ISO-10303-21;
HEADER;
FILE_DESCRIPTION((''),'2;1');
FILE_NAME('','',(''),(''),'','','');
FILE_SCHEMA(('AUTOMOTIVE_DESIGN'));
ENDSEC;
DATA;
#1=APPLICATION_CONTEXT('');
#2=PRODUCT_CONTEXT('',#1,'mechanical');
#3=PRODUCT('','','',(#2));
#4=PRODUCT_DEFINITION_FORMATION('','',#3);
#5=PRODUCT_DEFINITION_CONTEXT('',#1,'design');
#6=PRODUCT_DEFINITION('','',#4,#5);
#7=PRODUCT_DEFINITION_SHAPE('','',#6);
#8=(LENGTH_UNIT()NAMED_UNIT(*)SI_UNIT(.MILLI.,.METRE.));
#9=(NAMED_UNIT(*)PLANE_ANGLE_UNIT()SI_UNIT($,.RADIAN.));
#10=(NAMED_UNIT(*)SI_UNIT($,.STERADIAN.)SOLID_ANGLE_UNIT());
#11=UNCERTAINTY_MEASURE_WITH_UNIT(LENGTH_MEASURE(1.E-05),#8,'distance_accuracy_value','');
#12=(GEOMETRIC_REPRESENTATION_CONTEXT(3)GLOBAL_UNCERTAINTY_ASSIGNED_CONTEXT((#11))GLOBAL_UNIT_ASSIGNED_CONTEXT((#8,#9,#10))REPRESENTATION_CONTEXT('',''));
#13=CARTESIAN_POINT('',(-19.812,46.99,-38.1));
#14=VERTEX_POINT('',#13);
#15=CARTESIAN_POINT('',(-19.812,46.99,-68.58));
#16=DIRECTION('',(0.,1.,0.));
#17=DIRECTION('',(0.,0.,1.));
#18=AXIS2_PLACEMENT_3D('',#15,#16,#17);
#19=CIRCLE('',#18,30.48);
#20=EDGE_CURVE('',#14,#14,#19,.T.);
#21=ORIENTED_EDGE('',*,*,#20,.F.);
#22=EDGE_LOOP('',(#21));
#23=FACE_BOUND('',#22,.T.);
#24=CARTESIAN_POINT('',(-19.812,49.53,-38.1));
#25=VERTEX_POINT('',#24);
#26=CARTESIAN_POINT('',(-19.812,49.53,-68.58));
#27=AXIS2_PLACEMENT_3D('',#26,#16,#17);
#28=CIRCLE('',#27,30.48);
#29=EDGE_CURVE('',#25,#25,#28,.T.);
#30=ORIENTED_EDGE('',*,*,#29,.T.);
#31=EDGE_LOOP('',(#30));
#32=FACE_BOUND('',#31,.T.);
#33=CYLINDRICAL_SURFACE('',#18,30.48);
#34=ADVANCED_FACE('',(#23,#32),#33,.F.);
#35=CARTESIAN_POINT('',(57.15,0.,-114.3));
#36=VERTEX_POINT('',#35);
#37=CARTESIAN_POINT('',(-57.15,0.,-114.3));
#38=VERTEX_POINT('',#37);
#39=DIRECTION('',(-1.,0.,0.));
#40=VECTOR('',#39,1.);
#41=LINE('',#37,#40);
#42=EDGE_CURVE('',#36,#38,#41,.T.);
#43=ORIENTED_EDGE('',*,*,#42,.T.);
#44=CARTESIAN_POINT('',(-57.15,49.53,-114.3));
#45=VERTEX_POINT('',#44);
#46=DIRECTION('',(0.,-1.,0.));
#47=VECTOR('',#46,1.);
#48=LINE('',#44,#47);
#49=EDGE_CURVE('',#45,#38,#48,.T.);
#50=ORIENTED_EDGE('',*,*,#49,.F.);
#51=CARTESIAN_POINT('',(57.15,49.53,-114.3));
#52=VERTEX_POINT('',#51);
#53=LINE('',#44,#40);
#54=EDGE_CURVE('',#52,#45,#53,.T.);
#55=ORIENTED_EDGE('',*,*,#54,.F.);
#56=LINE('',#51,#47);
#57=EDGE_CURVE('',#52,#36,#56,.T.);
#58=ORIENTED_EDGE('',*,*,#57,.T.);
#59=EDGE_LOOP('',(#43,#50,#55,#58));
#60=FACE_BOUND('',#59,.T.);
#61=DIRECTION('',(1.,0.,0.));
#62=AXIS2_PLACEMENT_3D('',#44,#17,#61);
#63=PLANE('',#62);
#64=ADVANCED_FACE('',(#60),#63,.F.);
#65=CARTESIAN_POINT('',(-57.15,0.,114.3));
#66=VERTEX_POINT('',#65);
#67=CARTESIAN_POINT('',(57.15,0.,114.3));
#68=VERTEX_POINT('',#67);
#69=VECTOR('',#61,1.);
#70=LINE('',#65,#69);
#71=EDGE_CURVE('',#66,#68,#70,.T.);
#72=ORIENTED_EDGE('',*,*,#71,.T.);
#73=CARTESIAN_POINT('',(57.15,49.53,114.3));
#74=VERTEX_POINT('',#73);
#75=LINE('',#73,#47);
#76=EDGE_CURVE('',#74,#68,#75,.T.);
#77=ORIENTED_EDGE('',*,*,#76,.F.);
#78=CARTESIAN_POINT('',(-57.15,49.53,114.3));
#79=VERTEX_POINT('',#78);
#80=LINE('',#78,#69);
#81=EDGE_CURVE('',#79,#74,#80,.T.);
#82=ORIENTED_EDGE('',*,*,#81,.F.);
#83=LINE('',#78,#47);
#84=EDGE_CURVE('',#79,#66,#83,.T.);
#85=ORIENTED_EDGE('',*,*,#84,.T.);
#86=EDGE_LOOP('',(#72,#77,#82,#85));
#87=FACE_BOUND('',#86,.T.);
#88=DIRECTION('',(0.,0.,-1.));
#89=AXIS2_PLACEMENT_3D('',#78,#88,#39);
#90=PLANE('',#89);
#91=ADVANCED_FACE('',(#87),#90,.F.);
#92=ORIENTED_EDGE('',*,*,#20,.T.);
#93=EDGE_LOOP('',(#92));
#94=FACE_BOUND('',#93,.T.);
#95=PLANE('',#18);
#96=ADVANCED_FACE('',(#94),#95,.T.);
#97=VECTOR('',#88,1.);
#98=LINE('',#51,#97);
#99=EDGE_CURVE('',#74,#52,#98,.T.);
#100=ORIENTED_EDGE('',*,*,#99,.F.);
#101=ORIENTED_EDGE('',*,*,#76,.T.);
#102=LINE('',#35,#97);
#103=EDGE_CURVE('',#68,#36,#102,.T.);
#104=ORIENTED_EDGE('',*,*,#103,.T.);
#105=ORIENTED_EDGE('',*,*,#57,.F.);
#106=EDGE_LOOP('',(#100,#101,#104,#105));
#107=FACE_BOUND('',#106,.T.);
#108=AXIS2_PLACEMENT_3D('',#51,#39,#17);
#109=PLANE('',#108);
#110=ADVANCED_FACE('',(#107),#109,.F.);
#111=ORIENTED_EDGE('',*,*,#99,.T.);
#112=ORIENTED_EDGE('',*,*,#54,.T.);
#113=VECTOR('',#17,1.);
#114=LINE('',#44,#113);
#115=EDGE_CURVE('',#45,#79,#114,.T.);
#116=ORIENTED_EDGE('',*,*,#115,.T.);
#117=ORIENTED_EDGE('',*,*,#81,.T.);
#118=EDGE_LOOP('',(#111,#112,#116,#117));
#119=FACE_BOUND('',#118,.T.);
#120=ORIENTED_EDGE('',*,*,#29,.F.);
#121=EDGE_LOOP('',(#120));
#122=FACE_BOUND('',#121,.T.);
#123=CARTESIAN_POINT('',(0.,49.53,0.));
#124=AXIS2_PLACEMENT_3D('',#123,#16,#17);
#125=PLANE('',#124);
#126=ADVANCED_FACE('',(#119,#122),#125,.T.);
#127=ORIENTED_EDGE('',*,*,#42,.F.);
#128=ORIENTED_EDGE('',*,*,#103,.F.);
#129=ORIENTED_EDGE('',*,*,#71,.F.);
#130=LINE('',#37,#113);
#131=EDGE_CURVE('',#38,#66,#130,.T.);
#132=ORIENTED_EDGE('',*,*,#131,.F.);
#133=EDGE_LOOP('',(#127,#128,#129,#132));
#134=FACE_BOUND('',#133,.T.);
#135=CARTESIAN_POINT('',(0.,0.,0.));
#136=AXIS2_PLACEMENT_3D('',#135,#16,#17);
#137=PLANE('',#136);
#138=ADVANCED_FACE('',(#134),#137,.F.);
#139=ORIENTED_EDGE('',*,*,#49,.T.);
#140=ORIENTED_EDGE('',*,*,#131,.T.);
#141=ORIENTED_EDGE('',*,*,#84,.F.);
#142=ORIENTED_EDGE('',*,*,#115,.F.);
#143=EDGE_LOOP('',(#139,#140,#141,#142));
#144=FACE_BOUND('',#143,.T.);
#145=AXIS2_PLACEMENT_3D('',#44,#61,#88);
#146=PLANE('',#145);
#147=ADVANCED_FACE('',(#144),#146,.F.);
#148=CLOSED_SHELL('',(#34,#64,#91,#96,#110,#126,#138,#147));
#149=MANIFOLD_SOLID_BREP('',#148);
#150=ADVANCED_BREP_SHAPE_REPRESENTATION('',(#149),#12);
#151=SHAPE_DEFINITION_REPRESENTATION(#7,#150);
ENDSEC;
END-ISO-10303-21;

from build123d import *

# Parameters (mm, degrees)
SKETCH1_W           = 114.3
SKETCH1_H           = 228.6
BOSS_EXTRUDE1_DEPTH = 49.53
SKETCH2_R           = 30.48
CUT_EXTRUDE1_DEPTH  = 2.54


with BuildPart() as part:
    # Sketch1 → Boss-Extrude1 (new body)
    with BuildSketch(Plane(origin=(0, 0, 0), x_dir=(1, 0, 0), z_dir=(0, 1, 0))):
        Rectangle(SKETCH1_W, SKETCH1_H)
    extrude(amount=BOSS_EXTRUDE1_DEPTH)

    # Sketch2 → Cut-Extrude1 (cut)
    with BuildSketch(Plane(origin=(0, 49.53, 0), x_dir=(1, 0, 0), z_dir=(0, 1, 0))):
        with Locations(Location((-19.812, 68.58, 0), (0, 0, 270))):
            Circle(SKETCH2_R)
    extrude(amount=-CUT_EXTRUDE1_DEPTH, mode=Mode.SUBTRACT)


solid = part.part
